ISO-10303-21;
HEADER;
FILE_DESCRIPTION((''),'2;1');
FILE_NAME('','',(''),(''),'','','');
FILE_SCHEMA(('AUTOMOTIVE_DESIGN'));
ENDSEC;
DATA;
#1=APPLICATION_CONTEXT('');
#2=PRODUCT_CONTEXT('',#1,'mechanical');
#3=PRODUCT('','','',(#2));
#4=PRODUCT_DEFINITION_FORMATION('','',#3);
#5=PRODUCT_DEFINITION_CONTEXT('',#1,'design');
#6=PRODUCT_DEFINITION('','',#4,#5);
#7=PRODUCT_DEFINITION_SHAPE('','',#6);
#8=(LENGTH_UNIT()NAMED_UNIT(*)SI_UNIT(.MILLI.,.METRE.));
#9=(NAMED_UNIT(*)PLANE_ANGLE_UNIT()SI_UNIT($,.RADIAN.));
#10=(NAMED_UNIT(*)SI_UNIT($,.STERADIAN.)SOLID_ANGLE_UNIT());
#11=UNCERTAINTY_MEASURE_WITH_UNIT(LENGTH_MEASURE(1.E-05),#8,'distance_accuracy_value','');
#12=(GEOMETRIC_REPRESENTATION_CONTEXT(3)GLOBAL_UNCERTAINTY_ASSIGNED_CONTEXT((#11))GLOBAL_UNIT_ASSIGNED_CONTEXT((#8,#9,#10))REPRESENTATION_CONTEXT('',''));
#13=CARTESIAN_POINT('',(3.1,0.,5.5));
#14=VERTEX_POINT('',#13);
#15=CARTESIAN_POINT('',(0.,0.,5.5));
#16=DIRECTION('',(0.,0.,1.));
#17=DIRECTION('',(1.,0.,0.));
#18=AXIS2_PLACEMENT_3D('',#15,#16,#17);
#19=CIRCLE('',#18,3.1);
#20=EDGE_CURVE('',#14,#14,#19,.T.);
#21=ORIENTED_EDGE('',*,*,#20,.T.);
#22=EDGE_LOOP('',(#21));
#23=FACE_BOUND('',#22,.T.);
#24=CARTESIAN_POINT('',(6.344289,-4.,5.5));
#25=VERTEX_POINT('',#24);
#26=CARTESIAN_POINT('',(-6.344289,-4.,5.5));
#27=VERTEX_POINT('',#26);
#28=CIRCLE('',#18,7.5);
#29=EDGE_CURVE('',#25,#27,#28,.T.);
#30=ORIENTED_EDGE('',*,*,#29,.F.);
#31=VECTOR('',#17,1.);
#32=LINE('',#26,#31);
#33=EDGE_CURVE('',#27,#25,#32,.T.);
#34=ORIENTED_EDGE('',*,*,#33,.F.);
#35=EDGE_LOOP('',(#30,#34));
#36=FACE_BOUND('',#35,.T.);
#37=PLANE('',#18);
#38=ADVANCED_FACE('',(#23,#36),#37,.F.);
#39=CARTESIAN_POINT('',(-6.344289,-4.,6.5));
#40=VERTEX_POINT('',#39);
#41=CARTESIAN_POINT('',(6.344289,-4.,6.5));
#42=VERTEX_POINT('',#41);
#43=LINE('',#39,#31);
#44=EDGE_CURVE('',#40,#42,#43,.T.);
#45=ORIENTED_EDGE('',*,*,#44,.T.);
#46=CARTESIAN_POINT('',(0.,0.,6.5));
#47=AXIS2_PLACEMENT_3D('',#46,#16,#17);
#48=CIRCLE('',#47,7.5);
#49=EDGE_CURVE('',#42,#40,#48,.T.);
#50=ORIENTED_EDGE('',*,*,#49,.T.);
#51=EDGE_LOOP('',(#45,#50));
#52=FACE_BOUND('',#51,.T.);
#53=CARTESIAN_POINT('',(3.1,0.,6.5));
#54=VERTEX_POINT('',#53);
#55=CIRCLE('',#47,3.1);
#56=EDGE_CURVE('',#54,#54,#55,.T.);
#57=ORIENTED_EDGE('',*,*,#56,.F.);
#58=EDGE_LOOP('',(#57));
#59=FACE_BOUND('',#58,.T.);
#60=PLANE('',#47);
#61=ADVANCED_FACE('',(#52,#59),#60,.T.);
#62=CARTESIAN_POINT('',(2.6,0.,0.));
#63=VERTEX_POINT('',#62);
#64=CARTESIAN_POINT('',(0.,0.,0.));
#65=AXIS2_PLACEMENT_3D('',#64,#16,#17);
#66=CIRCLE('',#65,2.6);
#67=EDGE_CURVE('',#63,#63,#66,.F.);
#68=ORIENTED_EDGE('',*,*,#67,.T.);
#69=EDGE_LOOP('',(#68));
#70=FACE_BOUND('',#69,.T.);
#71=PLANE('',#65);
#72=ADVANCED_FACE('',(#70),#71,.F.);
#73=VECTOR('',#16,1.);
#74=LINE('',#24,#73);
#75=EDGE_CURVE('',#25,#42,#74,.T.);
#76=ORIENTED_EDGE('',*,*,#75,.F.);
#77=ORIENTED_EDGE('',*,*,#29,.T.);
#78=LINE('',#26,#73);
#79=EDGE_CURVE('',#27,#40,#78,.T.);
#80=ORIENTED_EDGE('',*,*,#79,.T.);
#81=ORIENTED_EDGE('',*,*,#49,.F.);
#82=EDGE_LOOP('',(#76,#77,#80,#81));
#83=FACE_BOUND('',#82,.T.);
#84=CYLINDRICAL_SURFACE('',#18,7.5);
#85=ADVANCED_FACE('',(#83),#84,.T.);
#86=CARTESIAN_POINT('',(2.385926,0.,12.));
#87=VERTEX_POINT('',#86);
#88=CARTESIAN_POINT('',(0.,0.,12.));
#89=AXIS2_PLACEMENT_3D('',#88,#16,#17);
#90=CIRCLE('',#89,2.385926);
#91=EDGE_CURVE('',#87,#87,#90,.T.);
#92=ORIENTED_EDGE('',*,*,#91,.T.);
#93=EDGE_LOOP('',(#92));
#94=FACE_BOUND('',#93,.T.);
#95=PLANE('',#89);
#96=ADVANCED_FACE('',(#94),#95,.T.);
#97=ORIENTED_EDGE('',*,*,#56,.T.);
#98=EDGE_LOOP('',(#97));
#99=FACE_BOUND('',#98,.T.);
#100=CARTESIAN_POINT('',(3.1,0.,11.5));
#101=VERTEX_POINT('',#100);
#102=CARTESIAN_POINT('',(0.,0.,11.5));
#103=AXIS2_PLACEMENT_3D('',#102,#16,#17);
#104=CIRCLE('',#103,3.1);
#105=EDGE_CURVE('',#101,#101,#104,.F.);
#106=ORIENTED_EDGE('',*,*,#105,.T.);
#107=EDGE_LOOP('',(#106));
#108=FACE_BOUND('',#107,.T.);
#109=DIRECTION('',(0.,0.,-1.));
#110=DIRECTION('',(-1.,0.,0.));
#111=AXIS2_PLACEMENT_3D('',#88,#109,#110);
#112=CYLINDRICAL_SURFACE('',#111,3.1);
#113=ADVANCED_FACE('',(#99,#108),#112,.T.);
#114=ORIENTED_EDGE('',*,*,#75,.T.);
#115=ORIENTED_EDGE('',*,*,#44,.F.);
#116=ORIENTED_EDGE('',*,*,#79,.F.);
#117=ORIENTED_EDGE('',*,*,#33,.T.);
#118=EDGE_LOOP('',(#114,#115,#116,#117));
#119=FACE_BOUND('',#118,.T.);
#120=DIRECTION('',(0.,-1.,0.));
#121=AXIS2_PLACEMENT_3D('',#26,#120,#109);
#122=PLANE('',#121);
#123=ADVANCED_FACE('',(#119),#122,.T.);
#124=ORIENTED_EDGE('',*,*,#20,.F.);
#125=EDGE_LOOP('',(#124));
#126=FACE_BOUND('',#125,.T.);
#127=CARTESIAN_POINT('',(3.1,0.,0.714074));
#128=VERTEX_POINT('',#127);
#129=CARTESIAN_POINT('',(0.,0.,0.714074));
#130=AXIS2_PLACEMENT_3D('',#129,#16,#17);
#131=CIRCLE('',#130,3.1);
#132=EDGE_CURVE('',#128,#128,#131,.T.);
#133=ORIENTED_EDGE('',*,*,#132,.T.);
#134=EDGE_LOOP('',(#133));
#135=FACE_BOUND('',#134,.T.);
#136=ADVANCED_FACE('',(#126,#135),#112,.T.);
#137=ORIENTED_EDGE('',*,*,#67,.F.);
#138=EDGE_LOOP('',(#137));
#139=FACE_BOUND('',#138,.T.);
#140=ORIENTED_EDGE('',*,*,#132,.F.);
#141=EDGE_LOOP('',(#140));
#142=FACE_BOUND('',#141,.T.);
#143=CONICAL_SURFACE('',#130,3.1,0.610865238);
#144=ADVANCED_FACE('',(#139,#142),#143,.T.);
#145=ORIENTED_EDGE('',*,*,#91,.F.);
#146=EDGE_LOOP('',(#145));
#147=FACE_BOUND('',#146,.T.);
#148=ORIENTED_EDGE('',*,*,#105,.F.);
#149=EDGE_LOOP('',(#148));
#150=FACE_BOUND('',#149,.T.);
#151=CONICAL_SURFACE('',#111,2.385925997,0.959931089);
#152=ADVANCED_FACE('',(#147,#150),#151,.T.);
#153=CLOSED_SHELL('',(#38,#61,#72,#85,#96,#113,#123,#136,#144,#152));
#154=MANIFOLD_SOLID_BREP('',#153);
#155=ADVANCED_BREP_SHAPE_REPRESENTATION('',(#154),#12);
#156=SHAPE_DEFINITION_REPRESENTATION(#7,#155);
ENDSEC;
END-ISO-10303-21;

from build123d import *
from OCP.BRepFilletAPI import BRepFilletAPI_MakeChamfer

# Parameters (mm, degrees)
SKETCH1_R                = 3.1
BOSS_EXTRUDE1_DEPTH      = 12
CHAMFER1_SIZE            = 0.5
CHAMFER1_SIZE2           = 0.714074003
BOSS_EXTRUDE2_DEPTH      = 0.5
BOSS_EXTRUDE2_DEPTH_BACK = 0.5


with BuildPart() as part:
    # Sketch1 → Boss-Extrude1 (new body)
    with BuildSketch(Plane.XY):
        Circle(SKETCH1_R)
    extrude(amount=BOSS_EXTRUDE1_DEPTH)

    # Chamfer1: one chamfer whose edges measure the first distance from different faces: ONE call of the kernel's chamfer builder (chamfer() names one face for all edges)
    chamfer1_edges_1 = [part.edges().sort_by_distance(p)[0] for p in [
        (-3.1, 0, 0),
    ]]
    chamfer1_side_1 = [part.faces().sort_by_distance(p)[0] for p in [
        (0, 0, 0),
    ]]
    chamfer1_edges_2 = [part.edges().sort_by_distance(p)[0] for p in [
        (-3.1, 0, 12),
    ]]
    chamfer1_side_2 = [part.faces().sort_by_distance(p)[0] for p in [
        (-3.1, 0, 6),
    ]]
    chamfer1 = BRepFilletAPI_MakeChamfer(part.part.solid().wrapped)
    for e in chamfer1_edges_1:
        chamfer1.Add(CHAMFER1_SIZE, CHAMFER1_SIZE2, e.wrapped, chamfer1_side_1[0].wrapped)  # the first distance lies on this face
    for e in chamfer1_edges_2:
        chamfer1.Add(CHAMFER1_SIZE, CHAMFER1_SIZE2, e.wrapped, chamfer1_side_2[0].wrapped)  # the first distance lies on this face
    add(Compound.cast(chamfer1.Shape()), mode=Mode.REPLACE)

    # Sketch2 → Boss-Extrude2 (add, two sides: drawn at the far end of the back side and taken through both)
    with BuildSketch(Plane.XY.offset(6).offset(-BOSS_EXTRUDE2_DEPTH_BACK)):
        with BuildLine():
            Line((-6.34428877, -4), (6.34428877, -4))
            ThreePointArc((6.34428877, -4), (0, 7.5), (-6.34428877, -4))
        make_face()
    extrude(amount=BOSS_EXTRUDE2_DEPTH + BOSS_EXTRUDE2_DEPTH_BACK)


solid = part.part
